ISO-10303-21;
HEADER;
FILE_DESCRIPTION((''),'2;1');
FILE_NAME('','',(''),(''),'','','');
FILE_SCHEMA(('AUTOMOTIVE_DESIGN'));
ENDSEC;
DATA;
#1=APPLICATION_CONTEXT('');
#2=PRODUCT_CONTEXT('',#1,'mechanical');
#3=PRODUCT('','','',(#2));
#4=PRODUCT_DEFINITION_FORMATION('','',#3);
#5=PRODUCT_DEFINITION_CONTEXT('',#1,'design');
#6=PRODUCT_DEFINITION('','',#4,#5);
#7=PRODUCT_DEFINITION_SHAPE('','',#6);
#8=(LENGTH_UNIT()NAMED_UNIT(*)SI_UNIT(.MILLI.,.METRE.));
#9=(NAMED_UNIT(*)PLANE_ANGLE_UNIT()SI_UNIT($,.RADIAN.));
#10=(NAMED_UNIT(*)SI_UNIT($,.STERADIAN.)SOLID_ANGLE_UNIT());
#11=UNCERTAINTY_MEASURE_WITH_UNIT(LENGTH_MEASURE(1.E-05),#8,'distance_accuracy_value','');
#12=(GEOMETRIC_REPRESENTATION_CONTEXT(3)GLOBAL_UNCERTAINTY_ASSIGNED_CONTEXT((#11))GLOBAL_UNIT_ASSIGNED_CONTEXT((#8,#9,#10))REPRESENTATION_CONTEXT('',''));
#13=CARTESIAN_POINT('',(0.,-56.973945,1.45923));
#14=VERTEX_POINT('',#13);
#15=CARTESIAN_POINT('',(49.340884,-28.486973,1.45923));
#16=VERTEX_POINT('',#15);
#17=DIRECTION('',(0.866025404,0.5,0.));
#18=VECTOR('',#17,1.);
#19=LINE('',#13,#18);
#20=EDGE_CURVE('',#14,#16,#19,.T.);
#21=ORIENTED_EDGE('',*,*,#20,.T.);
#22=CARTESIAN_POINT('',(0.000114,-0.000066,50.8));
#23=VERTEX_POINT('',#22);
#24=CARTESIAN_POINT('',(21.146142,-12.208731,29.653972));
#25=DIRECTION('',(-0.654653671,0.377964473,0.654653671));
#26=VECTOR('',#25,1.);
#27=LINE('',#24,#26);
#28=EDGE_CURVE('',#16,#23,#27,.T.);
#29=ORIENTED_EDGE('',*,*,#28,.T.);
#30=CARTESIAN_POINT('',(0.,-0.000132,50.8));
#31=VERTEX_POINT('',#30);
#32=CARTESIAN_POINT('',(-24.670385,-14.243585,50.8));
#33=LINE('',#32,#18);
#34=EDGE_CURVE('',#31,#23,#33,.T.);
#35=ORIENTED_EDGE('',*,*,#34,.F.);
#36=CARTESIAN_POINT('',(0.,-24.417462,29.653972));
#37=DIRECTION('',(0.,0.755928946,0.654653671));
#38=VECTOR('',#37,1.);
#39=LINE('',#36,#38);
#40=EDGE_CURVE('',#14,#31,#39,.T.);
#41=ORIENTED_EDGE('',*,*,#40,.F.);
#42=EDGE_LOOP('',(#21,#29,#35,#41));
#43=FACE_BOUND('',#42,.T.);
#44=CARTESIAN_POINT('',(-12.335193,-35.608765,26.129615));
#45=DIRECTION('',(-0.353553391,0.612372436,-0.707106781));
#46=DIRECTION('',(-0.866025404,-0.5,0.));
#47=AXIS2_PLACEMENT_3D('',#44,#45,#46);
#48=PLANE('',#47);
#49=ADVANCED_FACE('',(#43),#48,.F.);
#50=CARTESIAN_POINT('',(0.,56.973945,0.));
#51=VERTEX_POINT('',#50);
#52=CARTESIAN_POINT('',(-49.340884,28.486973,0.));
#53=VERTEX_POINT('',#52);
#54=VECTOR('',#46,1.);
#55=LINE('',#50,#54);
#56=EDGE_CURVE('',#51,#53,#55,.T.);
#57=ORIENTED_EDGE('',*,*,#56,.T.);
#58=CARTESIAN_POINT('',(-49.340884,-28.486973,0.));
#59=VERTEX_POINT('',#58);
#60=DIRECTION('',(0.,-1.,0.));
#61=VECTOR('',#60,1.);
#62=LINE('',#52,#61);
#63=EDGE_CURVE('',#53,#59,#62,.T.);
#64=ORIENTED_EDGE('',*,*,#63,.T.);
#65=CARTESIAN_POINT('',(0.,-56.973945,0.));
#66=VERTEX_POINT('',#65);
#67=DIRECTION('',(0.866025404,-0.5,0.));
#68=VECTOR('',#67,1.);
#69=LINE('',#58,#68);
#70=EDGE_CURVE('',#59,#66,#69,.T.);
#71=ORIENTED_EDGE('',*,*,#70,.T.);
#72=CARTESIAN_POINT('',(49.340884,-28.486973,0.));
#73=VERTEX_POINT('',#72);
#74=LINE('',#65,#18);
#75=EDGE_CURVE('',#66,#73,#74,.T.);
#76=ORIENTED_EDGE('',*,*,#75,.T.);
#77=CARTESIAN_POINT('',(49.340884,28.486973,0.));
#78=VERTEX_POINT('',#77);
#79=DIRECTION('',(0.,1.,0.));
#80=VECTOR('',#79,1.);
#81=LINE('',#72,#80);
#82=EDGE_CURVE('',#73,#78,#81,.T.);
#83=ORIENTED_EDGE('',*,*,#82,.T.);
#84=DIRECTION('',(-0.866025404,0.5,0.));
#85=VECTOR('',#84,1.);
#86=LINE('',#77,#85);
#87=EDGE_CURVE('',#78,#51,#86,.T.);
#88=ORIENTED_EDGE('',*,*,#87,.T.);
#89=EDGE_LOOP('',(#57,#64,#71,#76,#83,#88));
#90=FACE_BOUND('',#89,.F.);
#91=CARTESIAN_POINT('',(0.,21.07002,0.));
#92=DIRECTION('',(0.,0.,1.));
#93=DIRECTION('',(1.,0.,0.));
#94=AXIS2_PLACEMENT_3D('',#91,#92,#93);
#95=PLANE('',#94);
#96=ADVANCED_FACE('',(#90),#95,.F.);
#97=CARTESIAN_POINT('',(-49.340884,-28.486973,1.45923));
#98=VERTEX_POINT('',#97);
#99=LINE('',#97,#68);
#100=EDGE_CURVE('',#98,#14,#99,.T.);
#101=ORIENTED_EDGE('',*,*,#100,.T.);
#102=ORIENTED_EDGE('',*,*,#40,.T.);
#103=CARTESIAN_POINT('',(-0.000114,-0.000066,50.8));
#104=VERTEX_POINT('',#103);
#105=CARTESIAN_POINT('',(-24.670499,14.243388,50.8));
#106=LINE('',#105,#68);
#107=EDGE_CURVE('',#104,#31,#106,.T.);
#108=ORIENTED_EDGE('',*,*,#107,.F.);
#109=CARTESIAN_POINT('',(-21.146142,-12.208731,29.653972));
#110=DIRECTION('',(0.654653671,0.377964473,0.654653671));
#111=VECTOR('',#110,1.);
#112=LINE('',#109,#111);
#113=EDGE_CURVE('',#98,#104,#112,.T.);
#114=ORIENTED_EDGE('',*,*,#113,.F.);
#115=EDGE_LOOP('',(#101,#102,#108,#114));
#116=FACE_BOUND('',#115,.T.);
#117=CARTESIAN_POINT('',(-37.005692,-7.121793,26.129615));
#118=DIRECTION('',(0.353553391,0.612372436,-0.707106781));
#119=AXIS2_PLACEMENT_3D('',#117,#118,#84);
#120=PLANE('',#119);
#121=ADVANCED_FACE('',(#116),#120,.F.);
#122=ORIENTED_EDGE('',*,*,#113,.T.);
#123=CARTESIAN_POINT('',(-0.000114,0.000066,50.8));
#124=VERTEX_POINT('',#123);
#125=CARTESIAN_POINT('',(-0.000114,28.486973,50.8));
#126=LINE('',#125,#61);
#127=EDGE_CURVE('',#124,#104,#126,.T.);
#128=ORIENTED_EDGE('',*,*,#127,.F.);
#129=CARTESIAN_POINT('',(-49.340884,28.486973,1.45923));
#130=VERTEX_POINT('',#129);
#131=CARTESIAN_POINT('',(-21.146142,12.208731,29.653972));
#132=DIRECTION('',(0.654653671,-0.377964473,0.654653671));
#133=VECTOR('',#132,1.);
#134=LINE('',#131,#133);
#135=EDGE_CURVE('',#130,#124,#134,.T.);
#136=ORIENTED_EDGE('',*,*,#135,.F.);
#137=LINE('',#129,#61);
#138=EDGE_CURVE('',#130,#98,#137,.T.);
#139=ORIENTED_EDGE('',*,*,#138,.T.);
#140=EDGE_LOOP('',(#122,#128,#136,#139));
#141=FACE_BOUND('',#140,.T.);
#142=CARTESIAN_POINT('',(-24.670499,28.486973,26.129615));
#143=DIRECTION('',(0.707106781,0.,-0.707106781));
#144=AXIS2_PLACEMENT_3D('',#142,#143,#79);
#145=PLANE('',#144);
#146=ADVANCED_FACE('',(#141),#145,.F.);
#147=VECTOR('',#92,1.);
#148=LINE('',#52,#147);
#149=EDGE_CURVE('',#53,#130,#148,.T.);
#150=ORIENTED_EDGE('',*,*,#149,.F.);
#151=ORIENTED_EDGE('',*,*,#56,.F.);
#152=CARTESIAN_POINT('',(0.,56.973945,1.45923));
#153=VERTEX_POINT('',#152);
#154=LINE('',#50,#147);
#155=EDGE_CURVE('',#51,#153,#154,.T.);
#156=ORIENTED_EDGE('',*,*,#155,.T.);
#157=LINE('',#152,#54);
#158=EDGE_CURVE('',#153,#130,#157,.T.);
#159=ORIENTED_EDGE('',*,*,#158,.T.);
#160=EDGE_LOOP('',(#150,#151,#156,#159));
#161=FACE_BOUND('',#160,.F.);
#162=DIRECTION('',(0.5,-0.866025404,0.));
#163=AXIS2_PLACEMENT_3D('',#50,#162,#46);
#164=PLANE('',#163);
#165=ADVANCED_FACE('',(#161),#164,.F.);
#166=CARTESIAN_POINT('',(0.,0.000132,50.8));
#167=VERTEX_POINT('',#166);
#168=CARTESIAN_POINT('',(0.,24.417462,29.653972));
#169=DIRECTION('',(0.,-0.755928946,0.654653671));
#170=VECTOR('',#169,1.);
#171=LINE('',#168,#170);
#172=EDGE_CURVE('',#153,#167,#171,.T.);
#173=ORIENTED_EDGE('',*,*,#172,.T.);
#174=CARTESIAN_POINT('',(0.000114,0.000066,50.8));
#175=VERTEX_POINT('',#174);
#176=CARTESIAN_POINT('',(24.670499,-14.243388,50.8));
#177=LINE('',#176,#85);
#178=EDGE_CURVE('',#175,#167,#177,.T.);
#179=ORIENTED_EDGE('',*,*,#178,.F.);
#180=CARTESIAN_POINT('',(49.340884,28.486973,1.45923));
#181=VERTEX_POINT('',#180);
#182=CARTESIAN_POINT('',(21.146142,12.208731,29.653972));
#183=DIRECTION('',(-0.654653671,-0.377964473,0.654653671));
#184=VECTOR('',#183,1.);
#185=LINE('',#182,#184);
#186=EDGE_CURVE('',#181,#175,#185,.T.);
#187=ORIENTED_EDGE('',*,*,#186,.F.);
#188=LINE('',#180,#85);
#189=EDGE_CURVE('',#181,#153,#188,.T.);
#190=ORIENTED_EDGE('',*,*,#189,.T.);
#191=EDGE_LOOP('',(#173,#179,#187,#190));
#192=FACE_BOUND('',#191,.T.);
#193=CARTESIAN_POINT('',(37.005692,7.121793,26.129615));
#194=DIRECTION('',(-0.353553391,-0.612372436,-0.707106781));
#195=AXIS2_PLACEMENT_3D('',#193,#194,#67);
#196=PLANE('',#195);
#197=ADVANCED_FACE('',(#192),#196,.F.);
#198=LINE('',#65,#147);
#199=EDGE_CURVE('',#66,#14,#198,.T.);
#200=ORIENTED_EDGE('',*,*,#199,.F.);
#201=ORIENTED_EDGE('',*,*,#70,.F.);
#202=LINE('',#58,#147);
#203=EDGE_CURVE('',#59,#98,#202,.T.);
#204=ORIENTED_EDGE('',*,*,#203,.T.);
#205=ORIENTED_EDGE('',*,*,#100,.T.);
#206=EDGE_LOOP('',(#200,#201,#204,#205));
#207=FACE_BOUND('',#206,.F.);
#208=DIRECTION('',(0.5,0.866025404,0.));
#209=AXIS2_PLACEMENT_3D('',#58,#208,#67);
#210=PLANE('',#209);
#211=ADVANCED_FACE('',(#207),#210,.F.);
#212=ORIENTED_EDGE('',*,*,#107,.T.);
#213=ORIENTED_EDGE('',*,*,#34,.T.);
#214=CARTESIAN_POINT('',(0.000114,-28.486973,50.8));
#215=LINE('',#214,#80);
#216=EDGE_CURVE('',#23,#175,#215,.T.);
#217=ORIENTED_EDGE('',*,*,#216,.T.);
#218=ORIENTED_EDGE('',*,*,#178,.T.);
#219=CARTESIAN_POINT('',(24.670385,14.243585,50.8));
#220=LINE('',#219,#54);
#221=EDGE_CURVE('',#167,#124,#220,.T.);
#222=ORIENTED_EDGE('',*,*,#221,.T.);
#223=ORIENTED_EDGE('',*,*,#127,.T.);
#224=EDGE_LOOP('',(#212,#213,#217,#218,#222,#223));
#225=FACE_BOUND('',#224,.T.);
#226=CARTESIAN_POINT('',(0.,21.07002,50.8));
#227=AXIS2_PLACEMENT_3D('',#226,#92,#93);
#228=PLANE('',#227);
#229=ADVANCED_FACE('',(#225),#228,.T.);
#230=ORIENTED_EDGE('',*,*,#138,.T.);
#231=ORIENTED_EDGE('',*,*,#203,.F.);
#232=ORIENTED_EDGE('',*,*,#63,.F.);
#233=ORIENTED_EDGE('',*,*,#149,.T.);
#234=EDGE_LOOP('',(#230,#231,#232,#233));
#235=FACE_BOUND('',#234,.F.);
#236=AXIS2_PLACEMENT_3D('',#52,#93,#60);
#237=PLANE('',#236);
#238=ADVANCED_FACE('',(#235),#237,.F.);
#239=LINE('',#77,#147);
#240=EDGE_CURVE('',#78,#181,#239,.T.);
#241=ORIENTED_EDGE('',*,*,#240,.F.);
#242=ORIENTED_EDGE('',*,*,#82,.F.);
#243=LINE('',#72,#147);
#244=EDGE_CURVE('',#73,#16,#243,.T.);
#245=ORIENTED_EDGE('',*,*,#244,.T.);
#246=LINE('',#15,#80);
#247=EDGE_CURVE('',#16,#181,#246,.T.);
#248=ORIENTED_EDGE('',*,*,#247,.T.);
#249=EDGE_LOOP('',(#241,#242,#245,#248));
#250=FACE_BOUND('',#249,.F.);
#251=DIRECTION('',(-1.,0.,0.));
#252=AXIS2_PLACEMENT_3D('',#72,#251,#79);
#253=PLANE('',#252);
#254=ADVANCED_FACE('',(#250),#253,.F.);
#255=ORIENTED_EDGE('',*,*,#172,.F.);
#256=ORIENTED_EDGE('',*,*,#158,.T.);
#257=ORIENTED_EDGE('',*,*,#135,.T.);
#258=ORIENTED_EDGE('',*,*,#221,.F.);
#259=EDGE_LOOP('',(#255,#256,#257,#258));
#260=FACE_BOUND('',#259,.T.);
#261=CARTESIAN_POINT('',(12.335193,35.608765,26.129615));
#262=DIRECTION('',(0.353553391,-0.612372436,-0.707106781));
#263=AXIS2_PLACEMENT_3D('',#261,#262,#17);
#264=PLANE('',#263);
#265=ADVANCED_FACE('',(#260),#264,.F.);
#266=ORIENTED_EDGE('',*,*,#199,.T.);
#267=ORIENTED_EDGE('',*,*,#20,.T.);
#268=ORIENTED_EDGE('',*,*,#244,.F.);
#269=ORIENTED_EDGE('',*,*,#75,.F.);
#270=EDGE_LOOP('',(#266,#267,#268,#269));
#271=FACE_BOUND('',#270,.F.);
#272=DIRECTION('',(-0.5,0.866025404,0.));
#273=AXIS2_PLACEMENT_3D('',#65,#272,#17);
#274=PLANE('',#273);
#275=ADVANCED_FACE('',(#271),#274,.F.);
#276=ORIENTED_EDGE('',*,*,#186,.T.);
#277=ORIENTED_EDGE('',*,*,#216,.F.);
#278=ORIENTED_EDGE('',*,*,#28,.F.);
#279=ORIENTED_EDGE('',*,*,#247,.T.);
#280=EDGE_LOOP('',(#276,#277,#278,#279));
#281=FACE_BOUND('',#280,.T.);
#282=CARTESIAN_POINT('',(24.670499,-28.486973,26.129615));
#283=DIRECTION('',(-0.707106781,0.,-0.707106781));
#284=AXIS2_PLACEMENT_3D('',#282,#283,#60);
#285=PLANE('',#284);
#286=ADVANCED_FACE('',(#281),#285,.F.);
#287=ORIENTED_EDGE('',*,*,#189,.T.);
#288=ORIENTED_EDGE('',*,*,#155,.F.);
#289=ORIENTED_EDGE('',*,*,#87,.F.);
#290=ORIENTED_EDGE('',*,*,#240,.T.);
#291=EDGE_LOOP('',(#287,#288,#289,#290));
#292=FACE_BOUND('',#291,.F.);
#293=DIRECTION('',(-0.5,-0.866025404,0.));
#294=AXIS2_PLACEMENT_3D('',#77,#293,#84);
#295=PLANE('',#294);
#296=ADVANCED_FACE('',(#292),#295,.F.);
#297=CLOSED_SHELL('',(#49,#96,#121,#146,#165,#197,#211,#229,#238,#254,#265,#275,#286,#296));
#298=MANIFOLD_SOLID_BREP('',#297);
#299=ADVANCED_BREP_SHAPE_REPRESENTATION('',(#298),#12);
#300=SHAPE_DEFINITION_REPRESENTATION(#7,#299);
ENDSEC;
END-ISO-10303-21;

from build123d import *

# Parameters (mm, degrees)
F1_DEPTH = 50.8
F2_SIZE  = 49.34077


with BuildPart() as f1:
    # F0 (on Top) → F1 (new body)
    with BuildSketch(Plane.XY):
        Polygon((49.3408840265, 0), (49.3408840265, 28.4869726747), (0, 56.9739453495), (-49.3408840265, 28.4869726747), (-49.3408840265, 0), align=None)
        Polygon((49.3408840265, -28.4869726747), (49.3408840265, 0), (-49.3408840265, 0), (-49.3408840265, -28.4869726747), (0, -56.9739453495), align=None)
    extrude(amount=F1_DEPTH)

    # F2
    f2_edges = [f1.edges().sort_by_distance(p)[0] for p in [
        (24.670442, -42.730459, 50.8),
        (49.340884, 0, 50.8),
        (24.670442, 42.730459, 50.8),
        (-24.670442, 42.730459, 50.8),
        (-49.340884, 0, 50.8),
        (-24.670442, -42.730459, 50.8),
    ]]
    chamfer(f2_edges, length=F2_SIZE)


solid = f1.part
